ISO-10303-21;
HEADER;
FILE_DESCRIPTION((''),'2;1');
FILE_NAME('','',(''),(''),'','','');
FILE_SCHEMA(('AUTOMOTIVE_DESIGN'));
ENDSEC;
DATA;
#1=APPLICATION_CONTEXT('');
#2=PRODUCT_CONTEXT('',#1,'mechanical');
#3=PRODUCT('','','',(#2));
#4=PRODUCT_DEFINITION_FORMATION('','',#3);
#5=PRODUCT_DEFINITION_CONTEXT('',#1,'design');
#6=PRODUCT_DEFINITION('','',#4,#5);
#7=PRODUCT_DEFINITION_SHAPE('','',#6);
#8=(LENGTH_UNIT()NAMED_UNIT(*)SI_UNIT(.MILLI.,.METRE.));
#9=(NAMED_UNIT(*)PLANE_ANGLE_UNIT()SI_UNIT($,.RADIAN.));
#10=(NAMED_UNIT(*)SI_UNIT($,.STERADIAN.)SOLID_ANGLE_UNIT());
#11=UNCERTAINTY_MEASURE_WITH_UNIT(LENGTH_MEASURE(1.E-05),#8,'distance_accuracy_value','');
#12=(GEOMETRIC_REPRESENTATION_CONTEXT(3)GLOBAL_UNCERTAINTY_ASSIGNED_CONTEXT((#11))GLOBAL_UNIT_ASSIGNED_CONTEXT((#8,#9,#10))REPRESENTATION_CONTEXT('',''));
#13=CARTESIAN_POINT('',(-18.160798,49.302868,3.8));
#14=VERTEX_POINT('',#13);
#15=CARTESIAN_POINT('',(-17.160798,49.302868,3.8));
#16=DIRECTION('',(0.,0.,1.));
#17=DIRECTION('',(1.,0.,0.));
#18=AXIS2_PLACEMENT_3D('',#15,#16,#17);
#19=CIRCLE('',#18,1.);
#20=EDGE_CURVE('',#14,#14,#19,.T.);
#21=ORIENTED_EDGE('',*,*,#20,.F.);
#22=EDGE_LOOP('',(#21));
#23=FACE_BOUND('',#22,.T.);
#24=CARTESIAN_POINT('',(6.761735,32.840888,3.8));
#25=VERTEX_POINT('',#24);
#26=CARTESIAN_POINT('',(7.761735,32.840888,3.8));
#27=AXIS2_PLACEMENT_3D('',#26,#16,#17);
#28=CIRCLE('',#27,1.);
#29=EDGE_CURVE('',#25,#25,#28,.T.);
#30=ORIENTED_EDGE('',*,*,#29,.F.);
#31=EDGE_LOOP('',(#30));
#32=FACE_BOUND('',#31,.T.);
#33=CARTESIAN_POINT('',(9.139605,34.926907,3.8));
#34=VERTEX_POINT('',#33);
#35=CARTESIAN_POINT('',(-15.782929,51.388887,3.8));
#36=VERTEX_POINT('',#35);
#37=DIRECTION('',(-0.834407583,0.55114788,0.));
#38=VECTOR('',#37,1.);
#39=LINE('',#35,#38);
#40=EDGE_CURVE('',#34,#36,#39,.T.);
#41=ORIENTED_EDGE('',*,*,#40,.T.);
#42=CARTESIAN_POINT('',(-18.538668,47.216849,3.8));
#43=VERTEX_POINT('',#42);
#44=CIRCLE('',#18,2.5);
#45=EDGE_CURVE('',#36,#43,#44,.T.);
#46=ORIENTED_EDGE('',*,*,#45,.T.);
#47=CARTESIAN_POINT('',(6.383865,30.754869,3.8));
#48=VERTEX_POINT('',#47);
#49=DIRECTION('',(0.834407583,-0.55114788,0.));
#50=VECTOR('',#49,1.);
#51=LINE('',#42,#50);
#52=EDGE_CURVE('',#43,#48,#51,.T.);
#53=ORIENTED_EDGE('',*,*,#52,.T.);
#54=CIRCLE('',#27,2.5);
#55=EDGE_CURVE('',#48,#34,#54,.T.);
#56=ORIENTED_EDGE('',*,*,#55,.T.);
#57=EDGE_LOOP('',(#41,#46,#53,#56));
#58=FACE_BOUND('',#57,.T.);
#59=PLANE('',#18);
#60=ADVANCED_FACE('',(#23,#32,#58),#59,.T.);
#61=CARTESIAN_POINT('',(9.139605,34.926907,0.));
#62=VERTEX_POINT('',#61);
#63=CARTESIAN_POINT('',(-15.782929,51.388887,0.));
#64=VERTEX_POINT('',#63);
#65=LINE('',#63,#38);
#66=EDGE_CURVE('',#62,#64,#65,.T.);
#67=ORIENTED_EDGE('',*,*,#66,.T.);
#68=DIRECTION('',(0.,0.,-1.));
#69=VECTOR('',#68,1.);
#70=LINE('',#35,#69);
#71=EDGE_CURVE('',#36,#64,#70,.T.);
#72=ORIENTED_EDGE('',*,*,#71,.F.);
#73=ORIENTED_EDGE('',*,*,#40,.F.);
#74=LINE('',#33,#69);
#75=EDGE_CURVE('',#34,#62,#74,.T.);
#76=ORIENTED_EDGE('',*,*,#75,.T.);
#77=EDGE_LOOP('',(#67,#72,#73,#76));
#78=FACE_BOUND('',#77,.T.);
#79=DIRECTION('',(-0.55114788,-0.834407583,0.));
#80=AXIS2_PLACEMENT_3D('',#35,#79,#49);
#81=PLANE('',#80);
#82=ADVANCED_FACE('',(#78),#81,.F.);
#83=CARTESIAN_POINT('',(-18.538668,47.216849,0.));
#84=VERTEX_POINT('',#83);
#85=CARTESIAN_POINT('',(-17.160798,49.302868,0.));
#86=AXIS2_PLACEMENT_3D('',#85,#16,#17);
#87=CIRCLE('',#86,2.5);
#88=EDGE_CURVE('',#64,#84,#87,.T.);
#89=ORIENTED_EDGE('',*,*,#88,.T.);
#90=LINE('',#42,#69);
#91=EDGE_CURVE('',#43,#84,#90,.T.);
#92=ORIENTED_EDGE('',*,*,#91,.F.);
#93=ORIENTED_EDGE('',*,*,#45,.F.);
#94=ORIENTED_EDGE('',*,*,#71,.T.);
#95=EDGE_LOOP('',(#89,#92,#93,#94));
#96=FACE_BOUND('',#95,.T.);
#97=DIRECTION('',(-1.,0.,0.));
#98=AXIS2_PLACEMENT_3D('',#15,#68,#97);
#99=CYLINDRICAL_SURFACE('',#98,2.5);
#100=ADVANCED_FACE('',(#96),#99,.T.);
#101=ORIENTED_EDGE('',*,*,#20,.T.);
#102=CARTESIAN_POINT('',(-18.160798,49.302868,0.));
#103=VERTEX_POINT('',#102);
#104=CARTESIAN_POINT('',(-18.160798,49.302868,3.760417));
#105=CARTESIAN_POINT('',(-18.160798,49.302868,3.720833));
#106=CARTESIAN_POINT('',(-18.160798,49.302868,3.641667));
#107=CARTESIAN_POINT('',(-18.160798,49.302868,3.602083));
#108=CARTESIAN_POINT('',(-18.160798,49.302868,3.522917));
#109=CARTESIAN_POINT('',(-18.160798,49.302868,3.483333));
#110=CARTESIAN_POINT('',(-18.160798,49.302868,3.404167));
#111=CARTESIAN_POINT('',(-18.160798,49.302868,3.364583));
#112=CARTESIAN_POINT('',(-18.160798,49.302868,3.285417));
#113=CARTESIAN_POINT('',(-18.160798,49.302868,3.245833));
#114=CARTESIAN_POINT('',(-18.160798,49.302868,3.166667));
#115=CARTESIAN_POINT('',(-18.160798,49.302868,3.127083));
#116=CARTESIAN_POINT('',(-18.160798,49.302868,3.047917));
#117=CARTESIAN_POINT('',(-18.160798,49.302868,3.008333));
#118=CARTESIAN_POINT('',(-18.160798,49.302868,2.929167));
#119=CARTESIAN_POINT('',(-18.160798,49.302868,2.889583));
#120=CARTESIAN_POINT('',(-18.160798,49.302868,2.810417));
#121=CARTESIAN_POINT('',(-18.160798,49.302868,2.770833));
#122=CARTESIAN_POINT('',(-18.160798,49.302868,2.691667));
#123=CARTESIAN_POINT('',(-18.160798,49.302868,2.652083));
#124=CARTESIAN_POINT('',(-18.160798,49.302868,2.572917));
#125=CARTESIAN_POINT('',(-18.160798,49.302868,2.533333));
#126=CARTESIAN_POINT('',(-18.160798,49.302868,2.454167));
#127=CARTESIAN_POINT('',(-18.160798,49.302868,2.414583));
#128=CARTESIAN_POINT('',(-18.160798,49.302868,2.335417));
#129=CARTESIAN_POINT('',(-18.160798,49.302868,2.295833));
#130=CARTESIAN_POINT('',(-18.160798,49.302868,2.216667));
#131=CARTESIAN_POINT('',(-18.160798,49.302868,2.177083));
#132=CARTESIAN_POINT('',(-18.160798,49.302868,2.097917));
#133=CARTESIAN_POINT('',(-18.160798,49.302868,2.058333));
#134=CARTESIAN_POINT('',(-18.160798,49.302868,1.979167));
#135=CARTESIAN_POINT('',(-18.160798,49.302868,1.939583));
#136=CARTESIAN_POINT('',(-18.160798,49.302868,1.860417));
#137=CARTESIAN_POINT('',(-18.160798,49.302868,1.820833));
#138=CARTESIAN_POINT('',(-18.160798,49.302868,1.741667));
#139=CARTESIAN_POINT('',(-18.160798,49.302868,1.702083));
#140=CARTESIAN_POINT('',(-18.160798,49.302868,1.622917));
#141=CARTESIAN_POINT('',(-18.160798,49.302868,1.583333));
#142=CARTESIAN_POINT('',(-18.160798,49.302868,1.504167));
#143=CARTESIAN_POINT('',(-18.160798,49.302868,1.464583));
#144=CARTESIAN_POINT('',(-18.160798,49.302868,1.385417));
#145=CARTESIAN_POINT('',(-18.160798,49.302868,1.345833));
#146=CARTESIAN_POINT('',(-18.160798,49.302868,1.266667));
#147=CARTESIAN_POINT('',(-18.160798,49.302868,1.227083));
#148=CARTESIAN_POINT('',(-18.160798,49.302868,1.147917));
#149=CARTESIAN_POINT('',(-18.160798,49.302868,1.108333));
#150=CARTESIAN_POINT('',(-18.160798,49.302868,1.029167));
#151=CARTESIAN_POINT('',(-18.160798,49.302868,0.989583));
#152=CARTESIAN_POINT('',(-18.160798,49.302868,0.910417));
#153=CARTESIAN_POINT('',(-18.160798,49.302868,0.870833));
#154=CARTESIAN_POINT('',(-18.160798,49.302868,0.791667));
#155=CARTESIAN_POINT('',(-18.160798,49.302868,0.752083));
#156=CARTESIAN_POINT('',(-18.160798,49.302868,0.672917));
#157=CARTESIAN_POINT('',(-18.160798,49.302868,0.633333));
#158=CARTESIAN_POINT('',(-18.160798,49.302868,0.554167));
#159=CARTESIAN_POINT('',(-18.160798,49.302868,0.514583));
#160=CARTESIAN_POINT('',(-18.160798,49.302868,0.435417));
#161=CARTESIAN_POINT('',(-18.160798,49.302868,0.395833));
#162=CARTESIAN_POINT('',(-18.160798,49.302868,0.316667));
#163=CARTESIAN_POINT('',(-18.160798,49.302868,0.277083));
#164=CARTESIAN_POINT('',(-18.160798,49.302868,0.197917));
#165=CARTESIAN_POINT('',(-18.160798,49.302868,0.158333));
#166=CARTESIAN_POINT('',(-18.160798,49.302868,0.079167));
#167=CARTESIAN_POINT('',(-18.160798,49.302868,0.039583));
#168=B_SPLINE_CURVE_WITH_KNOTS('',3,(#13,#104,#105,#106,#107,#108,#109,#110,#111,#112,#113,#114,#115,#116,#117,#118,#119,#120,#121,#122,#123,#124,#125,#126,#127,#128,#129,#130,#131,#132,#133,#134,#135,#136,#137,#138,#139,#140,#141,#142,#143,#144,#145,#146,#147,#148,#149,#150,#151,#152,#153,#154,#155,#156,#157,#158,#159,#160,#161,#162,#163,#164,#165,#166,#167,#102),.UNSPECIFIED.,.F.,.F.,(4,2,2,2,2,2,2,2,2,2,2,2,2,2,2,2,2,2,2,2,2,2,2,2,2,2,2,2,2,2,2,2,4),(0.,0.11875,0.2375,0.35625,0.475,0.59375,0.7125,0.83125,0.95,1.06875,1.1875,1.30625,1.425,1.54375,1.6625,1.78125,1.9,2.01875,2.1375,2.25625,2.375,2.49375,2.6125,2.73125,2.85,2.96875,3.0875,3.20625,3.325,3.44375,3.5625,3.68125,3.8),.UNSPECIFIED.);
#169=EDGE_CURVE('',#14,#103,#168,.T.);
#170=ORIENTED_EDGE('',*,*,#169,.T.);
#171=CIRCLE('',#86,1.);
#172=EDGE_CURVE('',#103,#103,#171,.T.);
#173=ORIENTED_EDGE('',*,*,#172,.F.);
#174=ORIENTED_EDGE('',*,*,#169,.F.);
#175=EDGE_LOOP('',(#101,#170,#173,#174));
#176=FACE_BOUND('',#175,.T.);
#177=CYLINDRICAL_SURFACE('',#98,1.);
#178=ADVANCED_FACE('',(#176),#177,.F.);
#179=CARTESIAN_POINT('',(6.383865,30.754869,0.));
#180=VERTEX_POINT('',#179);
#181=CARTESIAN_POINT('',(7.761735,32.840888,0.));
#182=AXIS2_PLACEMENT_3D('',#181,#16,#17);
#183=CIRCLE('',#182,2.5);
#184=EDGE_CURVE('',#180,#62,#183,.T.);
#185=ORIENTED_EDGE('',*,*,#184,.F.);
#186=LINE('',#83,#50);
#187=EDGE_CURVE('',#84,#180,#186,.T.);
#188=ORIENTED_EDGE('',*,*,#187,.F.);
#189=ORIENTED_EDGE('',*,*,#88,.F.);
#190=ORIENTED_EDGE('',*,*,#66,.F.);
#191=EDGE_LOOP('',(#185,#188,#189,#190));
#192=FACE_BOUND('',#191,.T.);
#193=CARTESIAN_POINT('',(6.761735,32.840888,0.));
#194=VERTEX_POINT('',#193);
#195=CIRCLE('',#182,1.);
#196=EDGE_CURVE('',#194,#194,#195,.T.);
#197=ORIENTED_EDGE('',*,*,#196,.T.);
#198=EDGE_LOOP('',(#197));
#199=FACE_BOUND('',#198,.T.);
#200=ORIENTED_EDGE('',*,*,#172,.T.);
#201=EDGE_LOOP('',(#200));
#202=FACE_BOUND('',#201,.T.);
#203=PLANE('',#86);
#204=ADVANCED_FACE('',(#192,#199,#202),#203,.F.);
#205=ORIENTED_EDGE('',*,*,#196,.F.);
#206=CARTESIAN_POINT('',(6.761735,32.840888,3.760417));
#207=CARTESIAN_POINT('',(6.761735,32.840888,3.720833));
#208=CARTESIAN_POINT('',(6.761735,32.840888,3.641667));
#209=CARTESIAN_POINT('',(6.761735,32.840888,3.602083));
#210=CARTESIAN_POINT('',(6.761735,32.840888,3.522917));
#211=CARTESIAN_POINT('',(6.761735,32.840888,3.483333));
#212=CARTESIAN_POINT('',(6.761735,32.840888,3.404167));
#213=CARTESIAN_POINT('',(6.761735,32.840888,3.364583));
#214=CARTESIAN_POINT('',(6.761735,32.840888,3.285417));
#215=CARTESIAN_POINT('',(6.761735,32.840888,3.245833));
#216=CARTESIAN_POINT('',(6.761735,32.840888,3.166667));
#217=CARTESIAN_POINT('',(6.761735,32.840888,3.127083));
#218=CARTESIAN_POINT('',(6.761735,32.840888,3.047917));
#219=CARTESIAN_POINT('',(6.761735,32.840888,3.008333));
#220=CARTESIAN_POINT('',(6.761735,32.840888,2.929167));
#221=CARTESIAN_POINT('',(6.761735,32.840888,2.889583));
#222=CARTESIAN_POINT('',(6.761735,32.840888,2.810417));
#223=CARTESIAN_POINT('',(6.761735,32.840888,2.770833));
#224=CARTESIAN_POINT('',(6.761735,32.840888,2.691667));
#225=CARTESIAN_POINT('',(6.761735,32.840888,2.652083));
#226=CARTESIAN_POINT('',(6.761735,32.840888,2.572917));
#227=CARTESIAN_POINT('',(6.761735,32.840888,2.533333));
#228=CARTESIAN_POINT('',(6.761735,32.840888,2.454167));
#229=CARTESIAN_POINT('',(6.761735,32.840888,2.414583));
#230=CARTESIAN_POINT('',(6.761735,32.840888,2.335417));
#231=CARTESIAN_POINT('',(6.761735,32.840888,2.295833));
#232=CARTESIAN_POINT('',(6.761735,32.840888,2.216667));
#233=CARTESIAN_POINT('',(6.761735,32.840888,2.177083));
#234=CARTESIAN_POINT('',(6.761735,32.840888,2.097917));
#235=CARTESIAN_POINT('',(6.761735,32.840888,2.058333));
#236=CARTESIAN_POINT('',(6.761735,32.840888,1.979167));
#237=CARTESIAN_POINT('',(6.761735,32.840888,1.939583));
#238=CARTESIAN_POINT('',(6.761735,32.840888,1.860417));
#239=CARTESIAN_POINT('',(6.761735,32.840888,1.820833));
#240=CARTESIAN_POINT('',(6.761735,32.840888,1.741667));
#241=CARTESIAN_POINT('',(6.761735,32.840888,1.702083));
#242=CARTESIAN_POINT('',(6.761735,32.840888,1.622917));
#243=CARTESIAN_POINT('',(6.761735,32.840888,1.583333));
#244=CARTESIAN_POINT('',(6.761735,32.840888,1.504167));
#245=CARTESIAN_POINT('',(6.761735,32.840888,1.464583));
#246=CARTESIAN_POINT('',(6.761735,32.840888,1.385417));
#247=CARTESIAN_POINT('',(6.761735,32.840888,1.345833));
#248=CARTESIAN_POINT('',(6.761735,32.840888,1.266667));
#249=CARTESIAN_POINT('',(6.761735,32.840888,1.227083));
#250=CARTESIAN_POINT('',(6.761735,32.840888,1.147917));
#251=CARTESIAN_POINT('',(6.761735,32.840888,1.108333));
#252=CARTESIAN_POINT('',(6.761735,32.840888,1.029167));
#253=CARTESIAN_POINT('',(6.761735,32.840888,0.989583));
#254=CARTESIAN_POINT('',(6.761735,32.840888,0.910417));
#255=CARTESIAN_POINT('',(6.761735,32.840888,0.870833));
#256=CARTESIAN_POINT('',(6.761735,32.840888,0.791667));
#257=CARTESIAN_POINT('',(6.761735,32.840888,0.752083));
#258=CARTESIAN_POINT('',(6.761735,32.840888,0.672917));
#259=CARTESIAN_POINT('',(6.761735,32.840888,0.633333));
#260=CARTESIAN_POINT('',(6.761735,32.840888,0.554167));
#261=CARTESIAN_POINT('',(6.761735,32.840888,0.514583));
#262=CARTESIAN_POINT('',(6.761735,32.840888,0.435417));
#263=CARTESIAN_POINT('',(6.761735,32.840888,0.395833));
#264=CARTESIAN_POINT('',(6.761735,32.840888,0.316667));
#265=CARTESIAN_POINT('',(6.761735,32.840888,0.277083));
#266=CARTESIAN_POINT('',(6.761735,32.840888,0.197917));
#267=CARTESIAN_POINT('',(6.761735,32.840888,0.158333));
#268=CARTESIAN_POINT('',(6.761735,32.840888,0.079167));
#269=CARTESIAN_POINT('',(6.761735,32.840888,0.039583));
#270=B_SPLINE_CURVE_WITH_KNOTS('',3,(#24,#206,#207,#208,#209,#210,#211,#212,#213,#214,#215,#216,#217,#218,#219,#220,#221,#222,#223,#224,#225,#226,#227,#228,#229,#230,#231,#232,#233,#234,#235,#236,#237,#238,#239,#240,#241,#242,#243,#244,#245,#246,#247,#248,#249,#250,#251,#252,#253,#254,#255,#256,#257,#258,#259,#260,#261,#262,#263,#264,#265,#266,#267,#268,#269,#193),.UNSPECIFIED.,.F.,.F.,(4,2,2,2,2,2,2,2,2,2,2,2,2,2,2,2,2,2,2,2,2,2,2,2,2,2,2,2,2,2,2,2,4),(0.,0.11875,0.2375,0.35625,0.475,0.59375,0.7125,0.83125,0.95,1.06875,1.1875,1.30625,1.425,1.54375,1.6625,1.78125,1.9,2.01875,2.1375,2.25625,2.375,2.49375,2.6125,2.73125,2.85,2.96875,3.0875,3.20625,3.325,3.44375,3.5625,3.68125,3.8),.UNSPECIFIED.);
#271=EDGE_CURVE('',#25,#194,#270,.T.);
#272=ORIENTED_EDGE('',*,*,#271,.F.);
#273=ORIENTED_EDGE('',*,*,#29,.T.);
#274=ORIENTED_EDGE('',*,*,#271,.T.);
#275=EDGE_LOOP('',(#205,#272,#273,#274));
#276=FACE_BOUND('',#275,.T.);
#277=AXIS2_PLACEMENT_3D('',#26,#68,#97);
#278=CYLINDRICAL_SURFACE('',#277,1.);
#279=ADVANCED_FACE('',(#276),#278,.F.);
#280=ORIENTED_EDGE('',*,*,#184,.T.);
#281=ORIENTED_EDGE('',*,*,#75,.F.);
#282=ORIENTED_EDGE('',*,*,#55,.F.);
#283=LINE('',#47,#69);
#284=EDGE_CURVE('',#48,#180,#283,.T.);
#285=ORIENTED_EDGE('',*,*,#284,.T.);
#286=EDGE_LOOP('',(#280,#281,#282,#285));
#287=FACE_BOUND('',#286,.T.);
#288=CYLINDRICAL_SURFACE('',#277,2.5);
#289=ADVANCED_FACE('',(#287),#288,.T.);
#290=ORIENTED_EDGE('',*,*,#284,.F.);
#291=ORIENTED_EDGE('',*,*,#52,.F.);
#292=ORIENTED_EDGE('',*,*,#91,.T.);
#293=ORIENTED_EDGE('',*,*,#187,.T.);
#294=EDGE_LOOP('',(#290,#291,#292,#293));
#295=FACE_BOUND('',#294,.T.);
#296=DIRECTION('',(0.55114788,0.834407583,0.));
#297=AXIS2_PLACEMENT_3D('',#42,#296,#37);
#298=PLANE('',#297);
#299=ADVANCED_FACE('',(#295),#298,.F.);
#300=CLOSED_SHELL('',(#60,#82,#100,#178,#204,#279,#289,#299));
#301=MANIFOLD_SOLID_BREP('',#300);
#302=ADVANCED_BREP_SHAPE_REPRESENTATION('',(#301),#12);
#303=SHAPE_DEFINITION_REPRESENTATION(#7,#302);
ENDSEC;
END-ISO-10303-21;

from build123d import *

# Parameters (mm, degrees)
SKETCH1_R           = 1
BOSS_EXTRUDE1_DEPTH = 3.8


with BuildPart() as part:
    # Sketch1 → Boss-Extrude1 (new body)
    with BuildSketch(Plane.XY):
        with BuildLine():
            Line((-15.782928594, 51.388887197), (9.139604606, 34.926906717))
            ThreePointArc((9.139604606, 34.926906717), (9.847753863, 31.46301806), (6.383865206, 30.754868803))
            Line((6.383865206, 30.754868803), (-18.538667994, 47.216849283))
            ThreePointArc((-18.538667994, 47.216849283), (-19.246817251, 50.68073794), (-15.782928594, 51.388887197))
        make_face()
        with Locations(Location((-17.160798294, 49.30286824, 0), (0, 0, 180))):
            Circle(SKETCH1_R, mode=Mode.SUBTRACT)
        with Locations(Location((7.761734906, 32.84088776, 0), (0, 0, 180))):
            Circle(SKETCH1_R, mode=Mode.SUBTRACT)
    extrude(amount=BOSS_EXTRUDE1_DEPTH)


solid = part.part
